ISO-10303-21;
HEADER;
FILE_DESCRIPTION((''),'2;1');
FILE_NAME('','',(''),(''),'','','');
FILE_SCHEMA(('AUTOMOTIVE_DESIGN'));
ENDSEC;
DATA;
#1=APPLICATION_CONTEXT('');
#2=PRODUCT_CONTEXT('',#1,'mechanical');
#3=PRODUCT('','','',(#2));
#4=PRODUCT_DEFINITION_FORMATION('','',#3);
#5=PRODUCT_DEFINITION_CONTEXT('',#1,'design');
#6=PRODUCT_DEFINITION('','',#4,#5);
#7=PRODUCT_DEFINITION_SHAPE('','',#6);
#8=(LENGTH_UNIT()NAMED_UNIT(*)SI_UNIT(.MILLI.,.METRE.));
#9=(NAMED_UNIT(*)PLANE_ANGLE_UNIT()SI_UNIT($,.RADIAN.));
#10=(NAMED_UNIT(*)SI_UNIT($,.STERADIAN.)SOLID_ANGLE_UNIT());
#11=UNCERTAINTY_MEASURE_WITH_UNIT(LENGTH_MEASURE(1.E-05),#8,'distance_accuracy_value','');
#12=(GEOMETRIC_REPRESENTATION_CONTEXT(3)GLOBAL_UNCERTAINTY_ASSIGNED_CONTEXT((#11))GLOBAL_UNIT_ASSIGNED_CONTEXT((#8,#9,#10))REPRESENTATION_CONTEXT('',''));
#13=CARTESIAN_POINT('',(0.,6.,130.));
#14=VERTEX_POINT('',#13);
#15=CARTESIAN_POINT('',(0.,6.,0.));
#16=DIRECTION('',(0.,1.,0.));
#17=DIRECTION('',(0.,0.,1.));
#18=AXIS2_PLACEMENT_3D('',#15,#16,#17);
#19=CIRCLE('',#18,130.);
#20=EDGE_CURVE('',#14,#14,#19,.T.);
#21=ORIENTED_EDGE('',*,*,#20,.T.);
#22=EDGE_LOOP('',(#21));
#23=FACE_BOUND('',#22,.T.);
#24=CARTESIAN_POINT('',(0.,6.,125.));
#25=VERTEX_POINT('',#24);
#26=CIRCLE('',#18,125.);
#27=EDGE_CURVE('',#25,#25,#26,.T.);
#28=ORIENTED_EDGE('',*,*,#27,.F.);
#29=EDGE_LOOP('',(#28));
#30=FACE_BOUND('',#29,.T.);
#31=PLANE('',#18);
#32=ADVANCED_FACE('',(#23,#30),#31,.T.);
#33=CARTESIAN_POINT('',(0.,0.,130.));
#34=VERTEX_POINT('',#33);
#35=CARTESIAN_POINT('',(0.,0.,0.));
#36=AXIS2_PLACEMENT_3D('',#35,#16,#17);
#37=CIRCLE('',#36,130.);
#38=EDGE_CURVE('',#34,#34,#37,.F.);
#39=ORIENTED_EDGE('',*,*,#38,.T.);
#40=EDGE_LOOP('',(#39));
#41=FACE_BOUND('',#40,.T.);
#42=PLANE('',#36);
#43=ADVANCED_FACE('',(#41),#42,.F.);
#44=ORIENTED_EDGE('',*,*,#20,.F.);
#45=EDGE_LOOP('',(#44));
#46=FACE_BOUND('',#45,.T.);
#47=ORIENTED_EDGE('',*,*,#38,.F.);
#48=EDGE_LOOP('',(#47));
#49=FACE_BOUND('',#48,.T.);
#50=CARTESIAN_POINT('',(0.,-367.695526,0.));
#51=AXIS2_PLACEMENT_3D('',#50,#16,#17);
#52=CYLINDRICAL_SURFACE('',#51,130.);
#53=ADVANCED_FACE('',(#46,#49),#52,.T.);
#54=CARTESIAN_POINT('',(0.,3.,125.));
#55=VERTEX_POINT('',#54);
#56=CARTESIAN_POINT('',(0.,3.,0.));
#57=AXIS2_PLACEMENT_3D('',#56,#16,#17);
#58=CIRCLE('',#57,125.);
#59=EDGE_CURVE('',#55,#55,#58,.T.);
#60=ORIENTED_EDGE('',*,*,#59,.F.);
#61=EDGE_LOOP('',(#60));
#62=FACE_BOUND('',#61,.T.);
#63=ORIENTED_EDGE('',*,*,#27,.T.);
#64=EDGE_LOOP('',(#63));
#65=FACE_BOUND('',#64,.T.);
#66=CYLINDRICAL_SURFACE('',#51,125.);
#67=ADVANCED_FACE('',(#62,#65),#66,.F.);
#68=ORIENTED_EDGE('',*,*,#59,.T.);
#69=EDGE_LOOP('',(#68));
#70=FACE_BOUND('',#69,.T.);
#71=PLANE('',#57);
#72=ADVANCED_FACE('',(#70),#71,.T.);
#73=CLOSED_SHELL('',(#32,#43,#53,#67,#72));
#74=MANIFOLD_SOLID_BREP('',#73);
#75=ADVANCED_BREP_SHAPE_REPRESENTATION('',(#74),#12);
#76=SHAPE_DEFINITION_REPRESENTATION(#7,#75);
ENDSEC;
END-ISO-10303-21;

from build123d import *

# Parameters (mm, degrees)
SKETCH1_R                = 125
BOSS_EXTRUDE1_DEPTH      = 3
BOSS_EXTRUDE2_DEPTH      = 3
BOSS_EXTRUDE2_DEPTH_BACK = 3
SKETCH2_R                = 130
SKETCH2_R_2              = 125


with BuildPart() as part:
    # Sketch1 → Boss-Extrude1 (new body)
    with BuildSketch(Plane(origin=(0, 0, 0), x_dir=(1, 0, 0), z_dir=(0, 1, 0))):
        with Locations(Location((0, 0, 0), (0, 0, 270))):
            Circle(SKETCH1_R)
    extrude(amount=BOSS_EXTRUDE1_DEPTH)

    # Sketch2 → Boss-Extrude2 (add, two sides: drawn at the far end of the back side and taken through both)
    with BuildSketch(Plane(origin=(0, 3, 0), x_dir=(1, 0, 0), z_dir=(0, 1, 0)).offset(-BOSS_EXTRUDE2_DEPTH_BACK)):
        with Locations(Location((0, 0, 0), (0, 0, 270))):
            Circle(SKETCH2_R)
        with Locations(Location((0, 0, 0), (0, 0, 270))):
            Circle(SKETCH2_R_2, mode=Mode.SUBTRACT)
    extrude(amount=BOSS_EXTRUDE2_DEPTH + BOSS_EXTRUDE2_DEPTH_BACK)


solid = part.part
